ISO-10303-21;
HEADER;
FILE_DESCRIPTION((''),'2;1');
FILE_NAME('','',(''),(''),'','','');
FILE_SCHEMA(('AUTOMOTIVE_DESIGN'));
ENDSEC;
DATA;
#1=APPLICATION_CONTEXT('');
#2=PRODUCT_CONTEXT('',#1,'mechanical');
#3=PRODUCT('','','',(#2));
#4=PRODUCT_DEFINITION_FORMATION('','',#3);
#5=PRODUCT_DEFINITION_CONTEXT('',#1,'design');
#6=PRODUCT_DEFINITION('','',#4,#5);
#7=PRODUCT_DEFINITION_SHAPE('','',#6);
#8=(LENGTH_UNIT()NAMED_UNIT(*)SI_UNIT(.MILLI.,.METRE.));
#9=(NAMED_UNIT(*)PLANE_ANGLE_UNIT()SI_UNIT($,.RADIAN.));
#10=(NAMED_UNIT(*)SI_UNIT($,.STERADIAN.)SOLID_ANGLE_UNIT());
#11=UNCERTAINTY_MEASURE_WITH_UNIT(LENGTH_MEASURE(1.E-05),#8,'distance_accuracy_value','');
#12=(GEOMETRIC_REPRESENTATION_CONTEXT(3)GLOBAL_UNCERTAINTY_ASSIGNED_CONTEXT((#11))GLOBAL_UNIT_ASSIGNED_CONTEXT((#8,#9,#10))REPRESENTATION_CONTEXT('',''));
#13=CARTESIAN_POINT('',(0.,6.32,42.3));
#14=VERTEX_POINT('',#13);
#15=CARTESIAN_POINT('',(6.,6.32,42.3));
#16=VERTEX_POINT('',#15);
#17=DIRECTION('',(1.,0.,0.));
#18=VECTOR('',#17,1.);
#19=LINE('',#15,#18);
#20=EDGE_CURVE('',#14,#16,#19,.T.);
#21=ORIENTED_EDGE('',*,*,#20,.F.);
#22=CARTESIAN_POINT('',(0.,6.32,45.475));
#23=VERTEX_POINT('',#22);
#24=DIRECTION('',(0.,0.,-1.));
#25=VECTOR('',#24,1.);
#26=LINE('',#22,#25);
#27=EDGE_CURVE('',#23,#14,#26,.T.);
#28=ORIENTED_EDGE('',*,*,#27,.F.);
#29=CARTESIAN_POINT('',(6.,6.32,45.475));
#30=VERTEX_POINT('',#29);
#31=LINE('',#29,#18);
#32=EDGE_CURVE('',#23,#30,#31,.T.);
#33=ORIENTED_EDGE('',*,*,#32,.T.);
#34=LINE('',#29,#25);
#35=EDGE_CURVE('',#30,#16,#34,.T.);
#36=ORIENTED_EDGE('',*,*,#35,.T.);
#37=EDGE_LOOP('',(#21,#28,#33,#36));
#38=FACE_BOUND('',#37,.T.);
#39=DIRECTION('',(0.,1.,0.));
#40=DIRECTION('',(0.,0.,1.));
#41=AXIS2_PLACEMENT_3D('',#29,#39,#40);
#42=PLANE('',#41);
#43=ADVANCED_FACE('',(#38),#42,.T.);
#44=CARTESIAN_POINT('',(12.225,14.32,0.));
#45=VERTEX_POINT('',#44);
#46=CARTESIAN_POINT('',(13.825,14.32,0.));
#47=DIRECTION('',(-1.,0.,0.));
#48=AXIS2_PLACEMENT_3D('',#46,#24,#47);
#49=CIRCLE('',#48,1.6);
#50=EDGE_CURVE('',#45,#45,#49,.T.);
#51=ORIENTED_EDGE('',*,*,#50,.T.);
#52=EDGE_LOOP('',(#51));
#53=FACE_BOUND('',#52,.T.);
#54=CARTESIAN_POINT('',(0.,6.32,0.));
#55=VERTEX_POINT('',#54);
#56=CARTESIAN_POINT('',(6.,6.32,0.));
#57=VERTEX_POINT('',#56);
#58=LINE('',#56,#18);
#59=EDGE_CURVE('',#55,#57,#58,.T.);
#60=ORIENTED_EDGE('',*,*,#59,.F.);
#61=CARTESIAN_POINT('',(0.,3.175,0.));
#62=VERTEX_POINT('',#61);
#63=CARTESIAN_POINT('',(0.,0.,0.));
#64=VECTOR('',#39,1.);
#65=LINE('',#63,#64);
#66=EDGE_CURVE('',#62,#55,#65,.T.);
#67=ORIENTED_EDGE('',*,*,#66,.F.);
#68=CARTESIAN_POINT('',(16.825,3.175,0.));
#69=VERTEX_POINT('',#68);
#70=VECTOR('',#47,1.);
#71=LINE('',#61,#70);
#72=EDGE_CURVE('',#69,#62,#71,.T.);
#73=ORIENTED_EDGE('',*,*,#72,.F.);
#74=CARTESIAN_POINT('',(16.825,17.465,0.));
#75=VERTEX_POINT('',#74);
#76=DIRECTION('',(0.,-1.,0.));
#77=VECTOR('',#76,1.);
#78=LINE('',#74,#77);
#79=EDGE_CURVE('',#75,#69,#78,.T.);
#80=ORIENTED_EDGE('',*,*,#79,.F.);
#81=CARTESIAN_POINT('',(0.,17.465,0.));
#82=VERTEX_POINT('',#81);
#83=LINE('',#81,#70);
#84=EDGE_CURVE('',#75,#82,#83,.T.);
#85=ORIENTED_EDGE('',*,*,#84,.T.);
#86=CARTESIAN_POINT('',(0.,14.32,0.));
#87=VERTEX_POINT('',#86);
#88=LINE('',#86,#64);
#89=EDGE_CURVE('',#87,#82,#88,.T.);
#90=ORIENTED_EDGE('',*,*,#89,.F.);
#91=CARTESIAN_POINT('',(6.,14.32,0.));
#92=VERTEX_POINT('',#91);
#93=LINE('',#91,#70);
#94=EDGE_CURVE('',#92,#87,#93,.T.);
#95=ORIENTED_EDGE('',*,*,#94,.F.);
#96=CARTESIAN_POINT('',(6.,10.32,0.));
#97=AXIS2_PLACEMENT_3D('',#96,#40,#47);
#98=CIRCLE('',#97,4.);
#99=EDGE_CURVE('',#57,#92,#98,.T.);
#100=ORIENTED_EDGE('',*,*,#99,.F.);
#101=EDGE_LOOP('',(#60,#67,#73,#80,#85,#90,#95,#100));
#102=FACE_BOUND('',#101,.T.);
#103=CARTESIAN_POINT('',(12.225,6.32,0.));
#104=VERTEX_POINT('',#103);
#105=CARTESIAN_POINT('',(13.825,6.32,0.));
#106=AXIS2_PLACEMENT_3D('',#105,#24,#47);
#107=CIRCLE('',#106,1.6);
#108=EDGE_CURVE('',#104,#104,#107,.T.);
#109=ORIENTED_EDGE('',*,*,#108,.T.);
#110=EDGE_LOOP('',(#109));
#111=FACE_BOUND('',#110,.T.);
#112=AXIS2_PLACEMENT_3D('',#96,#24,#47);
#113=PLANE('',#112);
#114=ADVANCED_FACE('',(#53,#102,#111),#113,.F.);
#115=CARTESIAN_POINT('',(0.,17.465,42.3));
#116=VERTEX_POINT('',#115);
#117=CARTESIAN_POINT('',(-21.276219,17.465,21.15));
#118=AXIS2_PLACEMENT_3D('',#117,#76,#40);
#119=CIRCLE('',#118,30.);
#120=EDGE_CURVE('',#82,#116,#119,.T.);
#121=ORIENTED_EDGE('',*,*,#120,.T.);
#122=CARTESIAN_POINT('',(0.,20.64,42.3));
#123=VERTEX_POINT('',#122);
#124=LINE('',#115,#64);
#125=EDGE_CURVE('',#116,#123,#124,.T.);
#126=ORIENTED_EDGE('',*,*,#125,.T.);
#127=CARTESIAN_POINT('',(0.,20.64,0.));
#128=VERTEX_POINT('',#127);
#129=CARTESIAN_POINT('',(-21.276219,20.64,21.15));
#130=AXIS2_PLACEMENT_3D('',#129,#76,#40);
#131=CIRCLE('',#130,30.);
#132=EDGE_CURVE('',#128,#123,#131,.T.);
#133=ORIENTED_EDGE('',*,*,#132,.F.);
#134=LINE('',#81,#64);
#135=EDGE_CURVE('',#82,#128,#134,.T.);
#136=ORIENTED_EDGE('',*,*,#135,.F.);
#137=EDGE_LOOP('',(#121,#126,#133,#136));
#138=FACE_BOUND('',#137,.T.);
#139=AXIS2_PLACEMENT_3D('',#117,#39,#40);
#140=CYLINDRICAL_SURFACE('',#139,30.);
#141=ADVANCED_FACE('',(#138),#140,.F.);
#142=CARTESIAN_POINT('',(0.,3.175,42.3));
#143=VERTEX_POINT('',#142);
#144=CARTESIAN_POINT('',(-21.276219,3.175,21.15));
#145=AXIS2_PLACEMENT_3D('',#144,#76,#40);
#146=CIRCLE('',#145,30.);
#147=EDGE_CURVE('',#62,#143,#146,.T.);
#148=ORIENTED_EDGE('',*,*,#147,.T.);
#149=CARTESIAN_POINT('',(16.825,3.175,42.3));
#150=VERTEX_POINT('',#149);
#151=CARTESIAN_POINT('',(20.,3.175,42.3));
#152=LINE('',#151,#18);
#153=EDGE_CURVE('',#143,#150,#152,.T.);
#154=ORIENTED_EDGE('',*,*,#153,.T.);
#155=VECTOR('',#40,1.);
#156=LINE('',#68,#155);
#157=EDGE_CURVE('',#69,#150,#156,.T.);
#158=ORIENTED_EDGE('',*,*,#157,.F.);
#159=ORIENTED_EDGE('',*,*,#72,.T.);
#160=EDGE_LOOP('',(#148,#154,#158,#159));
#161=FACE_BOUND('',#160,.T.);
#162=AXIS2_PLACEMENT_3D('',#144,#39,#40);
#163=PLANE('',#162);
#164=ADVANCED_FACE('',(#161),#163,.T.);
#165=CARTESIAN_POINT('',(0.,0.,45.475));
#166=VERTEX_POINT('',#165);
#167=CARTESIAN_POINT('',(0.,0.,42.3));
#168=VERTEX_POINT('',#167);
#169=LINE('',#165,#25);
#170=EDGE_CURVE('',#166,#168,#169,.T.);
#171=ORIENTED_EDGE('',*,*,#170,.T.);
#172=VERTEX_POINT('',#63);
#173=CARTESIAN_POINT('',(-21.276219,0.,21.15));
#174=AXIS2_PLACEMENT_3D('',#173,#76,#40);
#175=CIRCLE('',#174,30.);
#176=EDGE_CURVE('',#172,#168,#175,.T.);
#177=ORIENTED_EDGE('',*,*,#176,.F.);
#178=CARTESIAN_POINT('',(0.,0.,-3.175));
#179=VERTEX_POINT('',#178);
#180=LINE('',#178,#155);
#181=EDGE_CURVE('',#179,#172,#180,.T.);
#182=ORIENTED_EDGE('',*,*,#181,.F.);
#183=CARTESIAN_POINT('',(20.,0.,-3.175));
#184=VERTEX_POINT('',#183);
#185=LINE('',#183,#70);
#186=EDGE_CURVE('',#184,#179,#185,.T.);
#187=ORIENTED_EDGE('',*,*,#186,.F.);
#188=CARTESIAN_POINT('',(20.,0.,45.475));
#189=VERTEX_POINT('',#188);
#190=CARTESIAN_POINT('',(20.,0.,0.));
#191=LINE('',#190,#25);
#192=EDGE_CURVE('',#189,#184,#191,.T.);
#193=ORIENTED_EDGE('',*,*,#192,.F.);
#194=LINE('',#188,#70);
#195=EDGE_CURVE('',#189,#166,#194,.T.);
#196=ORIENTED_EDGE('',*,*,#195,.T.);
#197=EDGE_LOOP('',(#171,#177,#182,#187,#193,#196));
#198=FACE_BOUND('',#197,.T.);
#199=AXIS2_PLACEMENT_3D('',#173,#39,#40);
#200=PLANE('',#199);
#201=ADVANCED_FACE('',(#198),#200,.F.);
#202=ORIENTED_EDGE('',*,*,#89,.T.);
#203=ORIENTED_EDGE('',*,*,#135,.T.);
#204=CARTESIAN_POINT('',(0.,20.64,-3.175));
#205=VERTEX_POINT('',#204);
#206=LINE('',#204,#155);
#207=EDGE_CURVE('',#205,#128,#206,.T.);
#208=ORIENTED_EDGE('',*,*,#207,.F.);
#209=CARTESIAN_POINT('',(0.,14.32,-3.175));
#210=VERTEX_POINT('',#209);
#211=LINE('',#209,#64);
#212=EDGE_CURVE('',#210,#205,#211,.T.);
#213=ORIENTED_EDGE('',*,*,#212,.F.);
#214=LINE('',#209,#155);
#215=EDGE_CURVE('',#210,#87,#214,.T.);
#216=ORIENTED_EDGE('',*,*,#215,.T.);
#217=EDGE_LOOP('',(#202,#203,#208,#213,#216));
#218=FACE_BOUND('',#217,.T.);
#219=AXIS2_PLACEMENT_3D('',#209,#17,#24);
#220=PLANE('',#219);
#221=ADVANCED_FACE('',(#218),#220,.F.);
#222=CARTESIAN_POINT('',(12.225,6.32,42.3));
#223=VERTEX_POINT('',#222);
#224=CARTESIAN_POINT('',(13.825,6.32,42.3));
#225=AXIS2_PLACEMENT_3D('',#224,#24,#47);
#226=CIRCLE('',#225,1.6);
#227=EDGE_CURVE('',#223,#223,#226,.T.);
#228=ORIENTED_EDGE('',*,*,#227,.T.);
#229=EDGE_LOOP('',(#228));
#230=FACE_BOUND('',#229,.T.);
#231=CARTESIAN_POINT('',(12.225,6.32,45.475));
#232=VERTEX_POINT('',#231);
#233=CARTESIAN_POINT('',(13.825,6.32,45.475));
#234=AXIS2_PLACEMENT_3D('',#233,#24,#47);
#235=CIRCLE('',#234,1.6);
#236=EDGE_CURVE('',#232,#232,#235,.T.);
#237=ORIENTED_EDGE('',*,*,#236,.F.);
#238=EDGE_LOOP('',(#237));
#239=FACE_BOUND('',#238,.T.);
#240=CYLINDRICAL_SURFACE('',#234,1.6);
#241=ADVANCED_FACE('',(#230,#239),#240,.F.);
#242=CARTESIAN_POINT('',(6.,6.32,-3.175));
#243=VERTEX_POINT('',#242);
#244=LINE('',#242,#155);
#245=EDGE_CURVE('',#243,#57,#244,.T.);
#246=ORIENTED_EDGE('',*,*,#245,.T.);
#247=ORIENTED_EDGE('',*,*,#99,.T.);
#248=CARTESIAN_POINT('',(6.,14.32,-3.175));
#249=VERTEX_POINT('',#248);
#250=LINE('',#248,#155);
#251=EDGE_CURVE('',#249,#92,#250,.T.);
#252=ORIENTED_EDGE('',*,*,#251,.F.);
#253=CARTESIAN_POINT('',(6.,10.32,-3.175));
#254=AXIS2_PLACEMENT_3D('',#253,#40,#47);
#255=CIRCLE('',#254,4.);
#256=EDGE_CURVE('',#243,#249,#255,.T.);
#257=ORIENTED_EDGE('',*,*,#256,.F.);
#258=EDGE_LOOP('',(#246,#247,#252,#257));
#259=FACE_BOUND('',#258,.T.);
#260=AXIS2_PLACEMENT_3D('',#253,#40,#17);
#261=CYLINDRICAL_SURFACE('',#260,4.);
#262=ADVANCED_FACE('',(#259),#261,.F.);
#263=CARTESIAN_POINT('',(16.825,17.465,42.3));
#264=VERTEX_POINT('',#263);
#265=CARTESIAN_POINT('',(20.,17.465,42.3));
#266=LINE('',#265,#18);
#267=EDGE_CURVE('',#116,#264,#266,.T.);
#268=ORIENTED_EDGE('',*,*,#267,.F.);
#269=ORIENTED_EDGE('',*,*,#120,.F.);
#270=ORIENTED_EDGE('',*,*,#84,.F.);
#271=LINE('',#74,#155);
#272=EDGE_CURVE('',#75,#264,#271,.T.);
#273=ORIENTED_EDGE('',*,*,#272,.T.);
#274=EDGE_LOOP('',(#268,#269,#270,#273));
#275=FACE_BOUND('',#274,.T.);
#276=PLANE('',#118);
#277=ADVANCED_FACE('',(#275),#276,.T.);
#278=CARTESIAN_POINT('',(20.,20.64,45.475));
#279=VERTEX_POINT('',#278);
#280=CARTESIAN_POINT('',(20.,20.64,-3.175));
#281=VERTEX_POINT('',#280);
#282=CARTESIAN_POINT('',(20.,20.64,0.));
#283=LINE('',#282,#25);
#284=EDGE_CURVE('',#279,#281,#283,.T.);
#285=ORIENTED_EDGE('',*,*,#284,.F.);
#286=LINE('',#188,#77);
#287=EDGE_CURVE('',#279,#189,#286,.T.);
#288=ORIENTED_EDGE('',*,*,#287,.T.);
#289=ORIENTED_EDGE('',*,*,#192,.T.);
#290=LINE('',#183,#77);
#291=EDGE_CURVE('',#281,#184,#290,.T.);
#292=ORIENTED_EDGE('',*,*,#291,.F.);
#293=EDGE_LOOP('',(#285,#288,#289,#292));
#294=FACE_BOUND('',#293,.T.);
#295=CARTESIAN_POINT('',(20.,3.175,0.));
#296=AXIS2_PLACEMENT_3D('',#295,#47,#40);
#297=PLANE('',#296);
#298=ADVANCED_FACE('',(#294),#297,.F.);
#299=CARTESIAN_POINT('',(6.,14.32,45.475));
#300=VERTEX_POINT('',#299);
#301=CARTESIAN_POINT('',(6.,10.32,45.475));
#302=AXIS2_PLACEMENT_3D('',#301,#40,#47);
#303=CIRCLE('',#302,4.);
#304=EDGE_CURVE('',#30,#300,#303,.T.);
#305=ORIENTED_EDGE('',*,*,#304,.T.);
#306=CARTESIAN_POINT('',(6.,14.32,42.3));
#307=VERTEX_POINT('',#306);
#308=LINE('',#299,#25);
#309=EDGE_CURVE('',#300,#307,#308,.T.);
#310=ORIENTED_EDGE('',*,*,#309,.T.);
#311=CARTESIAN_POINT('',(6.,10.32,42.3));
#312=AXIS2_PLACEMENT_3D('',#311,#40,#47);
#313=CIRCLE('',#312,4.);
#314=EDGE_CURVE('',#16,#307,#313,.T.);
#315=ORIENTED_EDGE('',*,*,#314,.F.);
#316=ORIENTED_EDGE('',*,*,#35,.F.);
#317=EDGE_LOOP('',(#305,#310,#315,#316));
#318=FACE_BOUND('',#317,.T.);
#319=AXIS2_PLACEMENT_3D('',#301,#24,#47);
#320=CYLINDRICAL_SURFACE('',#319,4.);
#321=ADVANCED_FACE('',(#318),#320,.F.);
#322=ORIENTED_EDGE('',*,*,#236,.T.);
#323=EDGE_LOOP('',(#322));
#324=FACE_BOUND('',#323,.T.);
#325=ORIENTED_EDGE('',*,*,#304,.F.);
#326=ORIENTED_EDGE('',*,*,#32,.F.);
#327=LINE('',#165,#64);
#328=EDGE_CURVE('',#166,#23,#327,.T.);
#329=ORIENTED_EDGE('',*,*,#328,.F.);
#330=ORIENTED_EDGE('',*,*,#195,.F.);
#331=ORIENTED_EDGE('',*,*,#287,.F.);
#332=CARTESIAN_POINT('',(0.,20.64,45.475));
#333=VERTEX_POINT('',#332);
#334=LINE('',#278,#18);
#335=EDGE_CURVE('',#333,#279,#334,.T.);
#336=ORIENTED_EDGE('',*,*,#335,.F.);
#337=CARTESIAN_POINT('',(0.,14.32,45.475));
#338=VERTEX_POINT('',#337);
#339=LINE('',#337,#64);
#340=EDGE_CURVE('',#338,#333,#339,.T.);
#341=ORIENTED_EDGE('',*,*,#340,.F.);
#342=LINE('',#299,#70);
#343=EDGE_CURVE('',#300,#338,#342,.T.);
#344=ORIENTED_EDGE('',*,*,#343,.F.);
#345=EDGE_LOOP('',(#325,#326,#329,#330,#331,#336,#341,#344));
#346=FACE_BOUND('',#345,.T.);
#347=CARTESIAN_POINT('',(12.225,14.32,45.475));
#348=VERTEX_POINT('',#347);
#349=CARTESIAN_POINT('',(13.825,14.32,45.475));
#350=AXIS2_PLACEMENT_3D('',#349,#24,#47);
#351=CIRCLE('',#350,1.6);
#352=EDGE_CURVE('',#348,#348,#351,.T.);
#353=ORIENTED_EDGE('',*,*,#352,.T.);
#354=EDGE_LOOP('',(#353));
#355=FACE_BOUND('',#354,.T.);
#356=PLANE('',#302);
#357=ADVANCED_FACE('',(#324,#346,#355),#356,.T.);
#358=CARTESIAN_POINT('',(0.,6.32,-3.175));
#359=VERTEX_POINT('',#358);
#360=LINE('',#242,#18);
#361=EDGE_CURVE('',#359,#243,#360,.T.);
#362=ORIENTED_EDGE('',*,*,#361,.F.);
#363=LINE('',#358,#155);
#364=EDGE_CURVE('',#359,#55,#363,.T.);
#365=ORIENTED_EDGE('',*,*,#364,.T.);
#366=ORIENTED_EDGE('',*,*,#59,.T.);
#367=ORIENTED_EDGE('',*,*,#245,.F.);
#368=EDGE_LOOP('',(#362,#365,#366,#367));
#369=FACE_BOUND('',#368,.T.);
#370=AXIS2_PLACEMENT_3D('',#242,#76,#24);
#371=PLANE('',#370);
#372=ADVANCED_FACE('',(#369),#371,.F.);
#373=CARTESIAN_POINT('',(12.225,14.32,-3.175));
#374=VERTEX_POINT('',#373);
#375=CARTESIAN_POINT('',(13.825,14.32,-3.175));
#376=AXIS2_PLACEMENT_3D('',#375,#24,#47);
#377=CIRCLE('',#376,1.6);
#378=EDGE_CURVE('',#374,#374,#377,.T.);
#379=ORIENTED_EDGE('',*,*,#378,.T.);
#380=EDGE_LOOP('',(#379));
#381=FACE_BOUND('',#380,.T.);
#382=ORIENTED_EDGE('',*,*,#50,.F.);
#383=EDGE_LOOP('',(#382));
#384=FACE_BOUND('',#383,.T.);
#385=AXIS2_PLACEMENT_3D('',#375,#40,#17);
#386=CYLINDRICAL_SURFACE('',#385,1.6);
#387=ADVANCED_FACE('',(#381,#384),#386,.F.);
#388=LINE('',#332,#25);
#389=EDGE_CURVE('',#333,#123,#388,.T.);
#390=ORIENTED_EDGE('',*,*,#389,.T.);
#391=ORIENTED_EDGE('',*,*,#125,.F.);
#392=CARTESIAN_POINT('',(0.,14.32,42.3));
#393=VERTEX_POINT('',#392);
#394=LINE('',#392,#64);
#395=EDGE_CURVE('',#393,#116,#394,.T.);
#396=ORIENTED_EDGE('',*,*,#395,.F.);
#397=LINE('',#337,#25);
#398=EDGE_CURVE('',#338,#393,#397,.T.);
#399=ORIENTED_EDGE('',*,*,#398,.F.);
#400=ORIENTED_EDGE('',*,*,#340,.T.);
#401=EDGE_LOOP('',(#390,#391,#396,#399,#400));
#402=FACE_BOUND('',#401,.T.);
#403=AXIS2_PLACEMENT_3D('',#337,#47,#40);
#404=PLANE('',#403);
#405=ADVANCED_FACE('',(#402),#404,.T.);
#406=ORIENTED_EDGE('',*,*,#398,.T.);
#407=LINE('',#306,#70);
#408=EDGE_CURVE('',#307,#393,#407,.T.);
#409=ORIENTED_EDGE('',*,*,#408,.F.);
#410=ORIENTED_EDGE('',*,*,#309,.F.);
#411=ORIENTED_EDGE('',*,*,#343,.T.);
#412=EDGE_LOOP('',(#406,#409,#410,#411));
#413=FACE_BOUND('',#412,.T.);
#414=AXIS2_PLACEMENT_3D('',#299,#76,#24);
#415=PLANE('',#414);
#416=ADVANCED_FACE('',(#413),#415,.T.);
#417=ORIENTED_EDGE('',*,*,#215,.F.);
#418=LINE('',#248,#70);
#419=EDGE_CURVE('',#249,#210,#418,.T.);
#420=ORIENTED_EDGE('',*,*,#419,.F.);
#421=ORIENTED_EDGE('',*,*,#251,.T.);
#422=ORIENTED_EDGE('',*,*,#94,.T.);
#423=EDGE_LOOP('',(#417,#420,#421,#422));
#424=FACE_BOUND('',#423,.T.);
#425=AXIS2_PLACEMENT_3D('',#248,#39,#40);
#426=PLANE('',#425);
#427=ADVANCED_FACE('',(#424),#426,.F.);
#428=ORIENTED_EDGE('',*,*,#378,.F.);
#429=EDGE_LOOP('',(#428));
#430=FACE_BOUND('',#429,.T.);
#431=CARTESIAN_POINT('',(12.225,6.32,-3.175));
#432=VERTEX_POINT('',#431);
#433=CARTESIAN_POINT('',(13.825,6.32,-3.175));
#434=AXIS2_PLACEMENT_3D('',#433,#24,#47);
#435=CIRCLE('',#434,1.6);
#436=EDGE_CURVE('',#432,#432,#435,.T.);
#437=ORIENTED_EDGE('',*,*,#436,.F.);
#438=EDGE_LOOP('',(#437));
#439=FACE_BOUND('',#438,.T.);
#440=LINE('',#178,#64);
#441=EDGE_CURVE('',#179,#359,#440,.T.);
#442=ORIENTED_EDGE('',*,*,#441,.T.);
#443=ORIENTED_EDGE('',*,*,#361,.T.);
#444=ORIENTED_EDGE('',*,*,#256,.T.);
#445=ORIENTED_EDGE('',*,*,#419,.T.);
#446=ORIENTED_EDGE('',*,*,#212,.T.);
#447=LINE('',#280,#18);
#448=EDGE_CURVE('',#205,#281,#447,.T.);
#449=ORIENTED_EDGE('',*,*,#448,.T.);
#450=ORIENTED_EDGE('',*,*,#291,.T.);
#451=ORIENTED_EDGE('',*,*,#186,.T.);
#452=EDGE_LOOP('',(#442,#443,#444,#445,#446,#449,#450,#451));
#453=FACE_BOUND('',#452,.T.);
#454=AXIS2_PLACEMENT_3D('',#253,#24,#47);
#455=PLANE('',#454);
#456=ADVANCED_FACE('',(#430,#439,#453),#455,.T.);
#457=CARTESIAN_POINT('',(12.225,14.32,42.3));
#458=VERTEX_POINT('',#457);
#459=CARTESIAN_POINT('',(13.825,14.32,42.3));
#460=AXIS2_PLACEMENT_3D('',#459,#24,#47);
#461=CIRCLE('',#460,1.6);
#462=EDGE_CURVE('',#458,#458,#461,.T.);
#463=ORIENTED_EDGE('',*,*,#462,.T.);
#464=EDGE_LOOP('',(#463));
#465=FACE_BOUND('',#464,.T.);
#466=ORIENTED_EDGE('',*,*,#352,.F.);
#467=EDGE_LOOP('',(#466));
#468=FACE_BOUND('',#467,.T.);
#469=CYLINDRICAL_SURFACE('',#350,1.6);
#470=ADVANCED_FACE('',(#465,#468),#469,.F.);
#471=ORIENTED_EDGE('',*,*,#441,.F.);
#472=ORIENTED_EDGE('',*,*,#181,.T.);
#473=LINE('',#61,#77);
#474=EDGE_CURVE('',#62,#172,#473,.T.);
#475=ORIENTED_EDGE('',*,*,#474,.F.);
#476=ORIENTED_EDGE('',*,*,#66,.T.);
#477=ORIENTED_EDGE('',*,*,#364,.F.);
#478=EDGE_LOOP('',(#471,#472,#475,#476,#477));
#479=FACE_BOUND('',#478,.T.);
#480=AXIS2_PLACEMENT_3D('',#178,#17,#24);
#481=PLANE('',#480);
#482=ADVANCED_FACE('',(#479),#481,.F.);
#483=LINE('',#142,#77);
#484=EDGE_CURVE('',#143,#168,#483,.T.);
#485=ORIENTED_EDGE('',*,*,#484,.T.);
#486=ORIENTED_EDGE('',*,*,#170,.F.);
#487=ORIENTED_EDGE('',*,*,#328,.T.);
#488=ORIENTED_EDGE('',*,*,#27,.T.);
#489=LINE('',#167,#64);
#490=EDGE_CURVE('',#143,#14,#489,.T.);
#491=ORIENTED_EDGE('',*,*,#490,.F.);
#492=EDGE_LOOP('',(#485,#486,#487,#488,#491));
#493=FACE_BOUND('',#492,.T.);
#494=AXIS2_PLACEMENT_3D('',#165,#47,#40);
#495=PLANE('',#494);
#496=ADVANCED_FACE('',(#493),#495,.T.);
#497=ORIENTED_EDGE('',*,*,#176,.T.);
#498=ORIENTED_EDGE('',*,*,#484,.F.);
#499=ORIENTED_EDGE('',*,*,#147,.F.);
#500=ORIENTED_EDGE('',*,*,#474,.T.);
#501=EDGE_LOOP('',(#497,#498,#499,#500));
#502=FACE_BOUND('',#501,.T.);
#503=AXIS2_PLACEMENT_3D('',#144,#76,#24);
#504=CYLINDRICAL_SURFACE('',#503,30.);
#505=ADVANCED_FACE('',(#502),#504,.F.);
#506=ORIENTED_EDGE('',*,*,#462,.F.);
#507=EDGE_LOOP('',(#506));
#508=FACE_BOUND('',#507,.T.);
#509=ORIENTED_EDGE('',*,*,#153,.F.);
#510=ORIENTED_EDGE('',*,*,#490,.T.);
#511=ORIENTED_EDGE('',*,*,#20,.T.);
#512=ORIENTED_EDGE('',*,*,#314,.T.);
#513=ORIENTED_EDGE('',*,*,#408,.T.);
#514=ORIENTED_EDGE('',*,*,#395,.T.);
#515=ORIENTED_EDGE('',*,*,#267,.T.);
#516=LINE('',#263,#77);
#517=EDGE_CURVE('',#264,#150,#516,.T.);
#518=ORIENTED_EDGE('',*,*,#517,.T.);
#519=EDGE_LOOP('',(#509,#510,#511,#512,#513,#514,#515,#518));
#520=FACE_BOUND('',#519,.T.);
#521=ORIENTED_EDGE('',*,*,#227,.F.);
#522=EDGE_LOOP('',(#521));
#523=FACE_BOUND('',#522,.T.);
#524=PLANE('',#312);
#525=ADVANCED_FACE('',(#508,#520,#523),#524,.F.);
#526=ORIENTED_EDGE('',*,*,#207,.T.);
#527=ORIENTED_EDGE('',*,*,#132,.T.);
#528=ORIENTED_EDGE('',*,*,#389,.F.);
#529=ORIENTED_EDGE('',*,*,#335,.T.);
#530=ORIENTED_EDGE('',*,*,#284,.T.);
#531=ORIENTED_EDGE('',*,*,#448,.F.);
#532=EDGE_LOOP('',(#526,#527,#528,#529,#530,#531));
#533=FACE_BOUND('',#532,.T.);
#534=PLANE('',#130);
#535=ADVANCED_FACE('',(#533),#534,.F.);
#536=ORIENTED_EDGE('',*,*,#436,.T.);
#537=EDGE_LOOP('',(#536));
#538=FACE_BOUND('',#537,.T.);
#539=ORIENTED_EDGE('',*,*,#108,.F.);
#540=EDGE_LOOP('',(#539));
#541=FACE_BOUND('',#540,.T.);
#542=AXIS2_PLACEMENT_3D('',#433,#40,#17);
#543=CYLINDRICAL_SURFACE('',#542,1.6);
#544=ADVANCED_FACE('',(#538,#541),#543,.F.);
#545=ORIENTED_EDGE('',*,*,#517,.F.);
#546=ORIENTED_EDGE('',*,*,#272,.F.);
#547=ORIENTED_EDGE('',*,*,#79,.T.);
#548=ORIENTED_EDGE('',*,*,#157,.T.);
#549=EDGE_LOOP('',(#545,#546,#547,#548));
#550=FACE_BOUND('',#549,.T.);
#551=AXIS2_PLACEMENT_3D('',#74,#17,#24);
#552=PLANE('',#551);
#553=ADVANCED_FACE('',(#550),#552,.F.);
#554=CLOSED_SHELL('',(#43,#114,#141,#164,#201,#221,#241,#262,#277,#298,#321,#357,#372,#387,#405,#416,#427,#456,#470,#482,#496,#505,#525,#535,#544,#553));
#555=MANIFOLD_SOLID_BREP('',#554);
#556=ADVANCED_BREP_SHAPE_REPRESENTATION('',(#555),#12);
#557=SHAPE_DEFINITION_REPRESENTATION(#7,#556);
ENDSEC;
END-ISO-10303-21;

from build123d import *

# Parameters (mm, degrees)
BOSS_EXTRUDE1_DEPTH = 3.175
SKETCH2_W           = 3.175
SKETCH2_H           = 42.3
BOSS_EXTRUDE2_DEPTH = 14.29
SKETCH3_R           = 1.6
BOSS_EXTRUDE3_DEPTH = 3.175


with BuildPart() as part:
    # Sketch1 → Boss-Extrude1 (new body)
    with BuildSketch(Plane(origin=(0, 0, 0), x_dir=(1, 0, 0), z_dir=(0, 1, 0))):
        with BuildLine():
            Line((0, 0), (20, 0))
            Line((20, 0), (20, -42.3))
            Line((20, -42.3), (0, -42.3))
            ThreePointArc((0, -42.3), (8.723780881, -21.15), (0, 0))
        make_face()
    boss_extrude1 = extrude(amount=BOSS_EXTRUDE1_DEPTH)

    # Sketch2 → Boss-Extrude2 (add)
    with BuildSketch(Plane(origin=(0, 3.175, 0), x_dir=(1, 0, 0), z_dir=(0, 1, 0))):
        with Locations((18.4125, -21.15)):
            Rectangle(SKETCH2_W, SKETCH2_H)
    extrude(amount=BOSS_EXTRUDE2_DEPTH)

    # Mirror1: Boss-Extrude1 across plane
    add(boss_extrude1.mirror(Plane.ZX.offset(10.32)))

    # Sketch3 → Boss-Extrude3 (add)
    with BuildSketch(Plane(origin=(0, 0, 0), x_dir=(-1, 0, 0), z_dir=(0, 0, -1))):
        with BuildLine():
            Line((-20, 0), (0, 0))
            Line((0, 0), (0, 6.32))
            Line((0, 6.32), (-6, 6.32))
            ThreePointArc((-6, 6.32), (-10, 10.32), (-6, 14.32))
            Line((-6, 14.32), (0, 14.32))
            Line((0, 14.32), (0, 20.64))
            Line((0, 20.64), (-20, 20.64))
            Line((-20, 20.64), (-20, 0))
        make_face()
        with Locations((-13.825, 6.32)):
            Circle(SKETCH3_R, mode=Mode.SUBTRACT)
        with Locations((-13.825, 14.32)):
            Circle(SKETCH3_R, mode=Mode.SUBTRACT)
    boss_extrude3 = extrude(amount=BOSS_EXTRUDE3_DEPTH)

    # Mirror2: Boss-Extrude3 across plane
    add(boss_extrude3.mirror(Plane.XY.offset(21.15)))


solid = part.part
